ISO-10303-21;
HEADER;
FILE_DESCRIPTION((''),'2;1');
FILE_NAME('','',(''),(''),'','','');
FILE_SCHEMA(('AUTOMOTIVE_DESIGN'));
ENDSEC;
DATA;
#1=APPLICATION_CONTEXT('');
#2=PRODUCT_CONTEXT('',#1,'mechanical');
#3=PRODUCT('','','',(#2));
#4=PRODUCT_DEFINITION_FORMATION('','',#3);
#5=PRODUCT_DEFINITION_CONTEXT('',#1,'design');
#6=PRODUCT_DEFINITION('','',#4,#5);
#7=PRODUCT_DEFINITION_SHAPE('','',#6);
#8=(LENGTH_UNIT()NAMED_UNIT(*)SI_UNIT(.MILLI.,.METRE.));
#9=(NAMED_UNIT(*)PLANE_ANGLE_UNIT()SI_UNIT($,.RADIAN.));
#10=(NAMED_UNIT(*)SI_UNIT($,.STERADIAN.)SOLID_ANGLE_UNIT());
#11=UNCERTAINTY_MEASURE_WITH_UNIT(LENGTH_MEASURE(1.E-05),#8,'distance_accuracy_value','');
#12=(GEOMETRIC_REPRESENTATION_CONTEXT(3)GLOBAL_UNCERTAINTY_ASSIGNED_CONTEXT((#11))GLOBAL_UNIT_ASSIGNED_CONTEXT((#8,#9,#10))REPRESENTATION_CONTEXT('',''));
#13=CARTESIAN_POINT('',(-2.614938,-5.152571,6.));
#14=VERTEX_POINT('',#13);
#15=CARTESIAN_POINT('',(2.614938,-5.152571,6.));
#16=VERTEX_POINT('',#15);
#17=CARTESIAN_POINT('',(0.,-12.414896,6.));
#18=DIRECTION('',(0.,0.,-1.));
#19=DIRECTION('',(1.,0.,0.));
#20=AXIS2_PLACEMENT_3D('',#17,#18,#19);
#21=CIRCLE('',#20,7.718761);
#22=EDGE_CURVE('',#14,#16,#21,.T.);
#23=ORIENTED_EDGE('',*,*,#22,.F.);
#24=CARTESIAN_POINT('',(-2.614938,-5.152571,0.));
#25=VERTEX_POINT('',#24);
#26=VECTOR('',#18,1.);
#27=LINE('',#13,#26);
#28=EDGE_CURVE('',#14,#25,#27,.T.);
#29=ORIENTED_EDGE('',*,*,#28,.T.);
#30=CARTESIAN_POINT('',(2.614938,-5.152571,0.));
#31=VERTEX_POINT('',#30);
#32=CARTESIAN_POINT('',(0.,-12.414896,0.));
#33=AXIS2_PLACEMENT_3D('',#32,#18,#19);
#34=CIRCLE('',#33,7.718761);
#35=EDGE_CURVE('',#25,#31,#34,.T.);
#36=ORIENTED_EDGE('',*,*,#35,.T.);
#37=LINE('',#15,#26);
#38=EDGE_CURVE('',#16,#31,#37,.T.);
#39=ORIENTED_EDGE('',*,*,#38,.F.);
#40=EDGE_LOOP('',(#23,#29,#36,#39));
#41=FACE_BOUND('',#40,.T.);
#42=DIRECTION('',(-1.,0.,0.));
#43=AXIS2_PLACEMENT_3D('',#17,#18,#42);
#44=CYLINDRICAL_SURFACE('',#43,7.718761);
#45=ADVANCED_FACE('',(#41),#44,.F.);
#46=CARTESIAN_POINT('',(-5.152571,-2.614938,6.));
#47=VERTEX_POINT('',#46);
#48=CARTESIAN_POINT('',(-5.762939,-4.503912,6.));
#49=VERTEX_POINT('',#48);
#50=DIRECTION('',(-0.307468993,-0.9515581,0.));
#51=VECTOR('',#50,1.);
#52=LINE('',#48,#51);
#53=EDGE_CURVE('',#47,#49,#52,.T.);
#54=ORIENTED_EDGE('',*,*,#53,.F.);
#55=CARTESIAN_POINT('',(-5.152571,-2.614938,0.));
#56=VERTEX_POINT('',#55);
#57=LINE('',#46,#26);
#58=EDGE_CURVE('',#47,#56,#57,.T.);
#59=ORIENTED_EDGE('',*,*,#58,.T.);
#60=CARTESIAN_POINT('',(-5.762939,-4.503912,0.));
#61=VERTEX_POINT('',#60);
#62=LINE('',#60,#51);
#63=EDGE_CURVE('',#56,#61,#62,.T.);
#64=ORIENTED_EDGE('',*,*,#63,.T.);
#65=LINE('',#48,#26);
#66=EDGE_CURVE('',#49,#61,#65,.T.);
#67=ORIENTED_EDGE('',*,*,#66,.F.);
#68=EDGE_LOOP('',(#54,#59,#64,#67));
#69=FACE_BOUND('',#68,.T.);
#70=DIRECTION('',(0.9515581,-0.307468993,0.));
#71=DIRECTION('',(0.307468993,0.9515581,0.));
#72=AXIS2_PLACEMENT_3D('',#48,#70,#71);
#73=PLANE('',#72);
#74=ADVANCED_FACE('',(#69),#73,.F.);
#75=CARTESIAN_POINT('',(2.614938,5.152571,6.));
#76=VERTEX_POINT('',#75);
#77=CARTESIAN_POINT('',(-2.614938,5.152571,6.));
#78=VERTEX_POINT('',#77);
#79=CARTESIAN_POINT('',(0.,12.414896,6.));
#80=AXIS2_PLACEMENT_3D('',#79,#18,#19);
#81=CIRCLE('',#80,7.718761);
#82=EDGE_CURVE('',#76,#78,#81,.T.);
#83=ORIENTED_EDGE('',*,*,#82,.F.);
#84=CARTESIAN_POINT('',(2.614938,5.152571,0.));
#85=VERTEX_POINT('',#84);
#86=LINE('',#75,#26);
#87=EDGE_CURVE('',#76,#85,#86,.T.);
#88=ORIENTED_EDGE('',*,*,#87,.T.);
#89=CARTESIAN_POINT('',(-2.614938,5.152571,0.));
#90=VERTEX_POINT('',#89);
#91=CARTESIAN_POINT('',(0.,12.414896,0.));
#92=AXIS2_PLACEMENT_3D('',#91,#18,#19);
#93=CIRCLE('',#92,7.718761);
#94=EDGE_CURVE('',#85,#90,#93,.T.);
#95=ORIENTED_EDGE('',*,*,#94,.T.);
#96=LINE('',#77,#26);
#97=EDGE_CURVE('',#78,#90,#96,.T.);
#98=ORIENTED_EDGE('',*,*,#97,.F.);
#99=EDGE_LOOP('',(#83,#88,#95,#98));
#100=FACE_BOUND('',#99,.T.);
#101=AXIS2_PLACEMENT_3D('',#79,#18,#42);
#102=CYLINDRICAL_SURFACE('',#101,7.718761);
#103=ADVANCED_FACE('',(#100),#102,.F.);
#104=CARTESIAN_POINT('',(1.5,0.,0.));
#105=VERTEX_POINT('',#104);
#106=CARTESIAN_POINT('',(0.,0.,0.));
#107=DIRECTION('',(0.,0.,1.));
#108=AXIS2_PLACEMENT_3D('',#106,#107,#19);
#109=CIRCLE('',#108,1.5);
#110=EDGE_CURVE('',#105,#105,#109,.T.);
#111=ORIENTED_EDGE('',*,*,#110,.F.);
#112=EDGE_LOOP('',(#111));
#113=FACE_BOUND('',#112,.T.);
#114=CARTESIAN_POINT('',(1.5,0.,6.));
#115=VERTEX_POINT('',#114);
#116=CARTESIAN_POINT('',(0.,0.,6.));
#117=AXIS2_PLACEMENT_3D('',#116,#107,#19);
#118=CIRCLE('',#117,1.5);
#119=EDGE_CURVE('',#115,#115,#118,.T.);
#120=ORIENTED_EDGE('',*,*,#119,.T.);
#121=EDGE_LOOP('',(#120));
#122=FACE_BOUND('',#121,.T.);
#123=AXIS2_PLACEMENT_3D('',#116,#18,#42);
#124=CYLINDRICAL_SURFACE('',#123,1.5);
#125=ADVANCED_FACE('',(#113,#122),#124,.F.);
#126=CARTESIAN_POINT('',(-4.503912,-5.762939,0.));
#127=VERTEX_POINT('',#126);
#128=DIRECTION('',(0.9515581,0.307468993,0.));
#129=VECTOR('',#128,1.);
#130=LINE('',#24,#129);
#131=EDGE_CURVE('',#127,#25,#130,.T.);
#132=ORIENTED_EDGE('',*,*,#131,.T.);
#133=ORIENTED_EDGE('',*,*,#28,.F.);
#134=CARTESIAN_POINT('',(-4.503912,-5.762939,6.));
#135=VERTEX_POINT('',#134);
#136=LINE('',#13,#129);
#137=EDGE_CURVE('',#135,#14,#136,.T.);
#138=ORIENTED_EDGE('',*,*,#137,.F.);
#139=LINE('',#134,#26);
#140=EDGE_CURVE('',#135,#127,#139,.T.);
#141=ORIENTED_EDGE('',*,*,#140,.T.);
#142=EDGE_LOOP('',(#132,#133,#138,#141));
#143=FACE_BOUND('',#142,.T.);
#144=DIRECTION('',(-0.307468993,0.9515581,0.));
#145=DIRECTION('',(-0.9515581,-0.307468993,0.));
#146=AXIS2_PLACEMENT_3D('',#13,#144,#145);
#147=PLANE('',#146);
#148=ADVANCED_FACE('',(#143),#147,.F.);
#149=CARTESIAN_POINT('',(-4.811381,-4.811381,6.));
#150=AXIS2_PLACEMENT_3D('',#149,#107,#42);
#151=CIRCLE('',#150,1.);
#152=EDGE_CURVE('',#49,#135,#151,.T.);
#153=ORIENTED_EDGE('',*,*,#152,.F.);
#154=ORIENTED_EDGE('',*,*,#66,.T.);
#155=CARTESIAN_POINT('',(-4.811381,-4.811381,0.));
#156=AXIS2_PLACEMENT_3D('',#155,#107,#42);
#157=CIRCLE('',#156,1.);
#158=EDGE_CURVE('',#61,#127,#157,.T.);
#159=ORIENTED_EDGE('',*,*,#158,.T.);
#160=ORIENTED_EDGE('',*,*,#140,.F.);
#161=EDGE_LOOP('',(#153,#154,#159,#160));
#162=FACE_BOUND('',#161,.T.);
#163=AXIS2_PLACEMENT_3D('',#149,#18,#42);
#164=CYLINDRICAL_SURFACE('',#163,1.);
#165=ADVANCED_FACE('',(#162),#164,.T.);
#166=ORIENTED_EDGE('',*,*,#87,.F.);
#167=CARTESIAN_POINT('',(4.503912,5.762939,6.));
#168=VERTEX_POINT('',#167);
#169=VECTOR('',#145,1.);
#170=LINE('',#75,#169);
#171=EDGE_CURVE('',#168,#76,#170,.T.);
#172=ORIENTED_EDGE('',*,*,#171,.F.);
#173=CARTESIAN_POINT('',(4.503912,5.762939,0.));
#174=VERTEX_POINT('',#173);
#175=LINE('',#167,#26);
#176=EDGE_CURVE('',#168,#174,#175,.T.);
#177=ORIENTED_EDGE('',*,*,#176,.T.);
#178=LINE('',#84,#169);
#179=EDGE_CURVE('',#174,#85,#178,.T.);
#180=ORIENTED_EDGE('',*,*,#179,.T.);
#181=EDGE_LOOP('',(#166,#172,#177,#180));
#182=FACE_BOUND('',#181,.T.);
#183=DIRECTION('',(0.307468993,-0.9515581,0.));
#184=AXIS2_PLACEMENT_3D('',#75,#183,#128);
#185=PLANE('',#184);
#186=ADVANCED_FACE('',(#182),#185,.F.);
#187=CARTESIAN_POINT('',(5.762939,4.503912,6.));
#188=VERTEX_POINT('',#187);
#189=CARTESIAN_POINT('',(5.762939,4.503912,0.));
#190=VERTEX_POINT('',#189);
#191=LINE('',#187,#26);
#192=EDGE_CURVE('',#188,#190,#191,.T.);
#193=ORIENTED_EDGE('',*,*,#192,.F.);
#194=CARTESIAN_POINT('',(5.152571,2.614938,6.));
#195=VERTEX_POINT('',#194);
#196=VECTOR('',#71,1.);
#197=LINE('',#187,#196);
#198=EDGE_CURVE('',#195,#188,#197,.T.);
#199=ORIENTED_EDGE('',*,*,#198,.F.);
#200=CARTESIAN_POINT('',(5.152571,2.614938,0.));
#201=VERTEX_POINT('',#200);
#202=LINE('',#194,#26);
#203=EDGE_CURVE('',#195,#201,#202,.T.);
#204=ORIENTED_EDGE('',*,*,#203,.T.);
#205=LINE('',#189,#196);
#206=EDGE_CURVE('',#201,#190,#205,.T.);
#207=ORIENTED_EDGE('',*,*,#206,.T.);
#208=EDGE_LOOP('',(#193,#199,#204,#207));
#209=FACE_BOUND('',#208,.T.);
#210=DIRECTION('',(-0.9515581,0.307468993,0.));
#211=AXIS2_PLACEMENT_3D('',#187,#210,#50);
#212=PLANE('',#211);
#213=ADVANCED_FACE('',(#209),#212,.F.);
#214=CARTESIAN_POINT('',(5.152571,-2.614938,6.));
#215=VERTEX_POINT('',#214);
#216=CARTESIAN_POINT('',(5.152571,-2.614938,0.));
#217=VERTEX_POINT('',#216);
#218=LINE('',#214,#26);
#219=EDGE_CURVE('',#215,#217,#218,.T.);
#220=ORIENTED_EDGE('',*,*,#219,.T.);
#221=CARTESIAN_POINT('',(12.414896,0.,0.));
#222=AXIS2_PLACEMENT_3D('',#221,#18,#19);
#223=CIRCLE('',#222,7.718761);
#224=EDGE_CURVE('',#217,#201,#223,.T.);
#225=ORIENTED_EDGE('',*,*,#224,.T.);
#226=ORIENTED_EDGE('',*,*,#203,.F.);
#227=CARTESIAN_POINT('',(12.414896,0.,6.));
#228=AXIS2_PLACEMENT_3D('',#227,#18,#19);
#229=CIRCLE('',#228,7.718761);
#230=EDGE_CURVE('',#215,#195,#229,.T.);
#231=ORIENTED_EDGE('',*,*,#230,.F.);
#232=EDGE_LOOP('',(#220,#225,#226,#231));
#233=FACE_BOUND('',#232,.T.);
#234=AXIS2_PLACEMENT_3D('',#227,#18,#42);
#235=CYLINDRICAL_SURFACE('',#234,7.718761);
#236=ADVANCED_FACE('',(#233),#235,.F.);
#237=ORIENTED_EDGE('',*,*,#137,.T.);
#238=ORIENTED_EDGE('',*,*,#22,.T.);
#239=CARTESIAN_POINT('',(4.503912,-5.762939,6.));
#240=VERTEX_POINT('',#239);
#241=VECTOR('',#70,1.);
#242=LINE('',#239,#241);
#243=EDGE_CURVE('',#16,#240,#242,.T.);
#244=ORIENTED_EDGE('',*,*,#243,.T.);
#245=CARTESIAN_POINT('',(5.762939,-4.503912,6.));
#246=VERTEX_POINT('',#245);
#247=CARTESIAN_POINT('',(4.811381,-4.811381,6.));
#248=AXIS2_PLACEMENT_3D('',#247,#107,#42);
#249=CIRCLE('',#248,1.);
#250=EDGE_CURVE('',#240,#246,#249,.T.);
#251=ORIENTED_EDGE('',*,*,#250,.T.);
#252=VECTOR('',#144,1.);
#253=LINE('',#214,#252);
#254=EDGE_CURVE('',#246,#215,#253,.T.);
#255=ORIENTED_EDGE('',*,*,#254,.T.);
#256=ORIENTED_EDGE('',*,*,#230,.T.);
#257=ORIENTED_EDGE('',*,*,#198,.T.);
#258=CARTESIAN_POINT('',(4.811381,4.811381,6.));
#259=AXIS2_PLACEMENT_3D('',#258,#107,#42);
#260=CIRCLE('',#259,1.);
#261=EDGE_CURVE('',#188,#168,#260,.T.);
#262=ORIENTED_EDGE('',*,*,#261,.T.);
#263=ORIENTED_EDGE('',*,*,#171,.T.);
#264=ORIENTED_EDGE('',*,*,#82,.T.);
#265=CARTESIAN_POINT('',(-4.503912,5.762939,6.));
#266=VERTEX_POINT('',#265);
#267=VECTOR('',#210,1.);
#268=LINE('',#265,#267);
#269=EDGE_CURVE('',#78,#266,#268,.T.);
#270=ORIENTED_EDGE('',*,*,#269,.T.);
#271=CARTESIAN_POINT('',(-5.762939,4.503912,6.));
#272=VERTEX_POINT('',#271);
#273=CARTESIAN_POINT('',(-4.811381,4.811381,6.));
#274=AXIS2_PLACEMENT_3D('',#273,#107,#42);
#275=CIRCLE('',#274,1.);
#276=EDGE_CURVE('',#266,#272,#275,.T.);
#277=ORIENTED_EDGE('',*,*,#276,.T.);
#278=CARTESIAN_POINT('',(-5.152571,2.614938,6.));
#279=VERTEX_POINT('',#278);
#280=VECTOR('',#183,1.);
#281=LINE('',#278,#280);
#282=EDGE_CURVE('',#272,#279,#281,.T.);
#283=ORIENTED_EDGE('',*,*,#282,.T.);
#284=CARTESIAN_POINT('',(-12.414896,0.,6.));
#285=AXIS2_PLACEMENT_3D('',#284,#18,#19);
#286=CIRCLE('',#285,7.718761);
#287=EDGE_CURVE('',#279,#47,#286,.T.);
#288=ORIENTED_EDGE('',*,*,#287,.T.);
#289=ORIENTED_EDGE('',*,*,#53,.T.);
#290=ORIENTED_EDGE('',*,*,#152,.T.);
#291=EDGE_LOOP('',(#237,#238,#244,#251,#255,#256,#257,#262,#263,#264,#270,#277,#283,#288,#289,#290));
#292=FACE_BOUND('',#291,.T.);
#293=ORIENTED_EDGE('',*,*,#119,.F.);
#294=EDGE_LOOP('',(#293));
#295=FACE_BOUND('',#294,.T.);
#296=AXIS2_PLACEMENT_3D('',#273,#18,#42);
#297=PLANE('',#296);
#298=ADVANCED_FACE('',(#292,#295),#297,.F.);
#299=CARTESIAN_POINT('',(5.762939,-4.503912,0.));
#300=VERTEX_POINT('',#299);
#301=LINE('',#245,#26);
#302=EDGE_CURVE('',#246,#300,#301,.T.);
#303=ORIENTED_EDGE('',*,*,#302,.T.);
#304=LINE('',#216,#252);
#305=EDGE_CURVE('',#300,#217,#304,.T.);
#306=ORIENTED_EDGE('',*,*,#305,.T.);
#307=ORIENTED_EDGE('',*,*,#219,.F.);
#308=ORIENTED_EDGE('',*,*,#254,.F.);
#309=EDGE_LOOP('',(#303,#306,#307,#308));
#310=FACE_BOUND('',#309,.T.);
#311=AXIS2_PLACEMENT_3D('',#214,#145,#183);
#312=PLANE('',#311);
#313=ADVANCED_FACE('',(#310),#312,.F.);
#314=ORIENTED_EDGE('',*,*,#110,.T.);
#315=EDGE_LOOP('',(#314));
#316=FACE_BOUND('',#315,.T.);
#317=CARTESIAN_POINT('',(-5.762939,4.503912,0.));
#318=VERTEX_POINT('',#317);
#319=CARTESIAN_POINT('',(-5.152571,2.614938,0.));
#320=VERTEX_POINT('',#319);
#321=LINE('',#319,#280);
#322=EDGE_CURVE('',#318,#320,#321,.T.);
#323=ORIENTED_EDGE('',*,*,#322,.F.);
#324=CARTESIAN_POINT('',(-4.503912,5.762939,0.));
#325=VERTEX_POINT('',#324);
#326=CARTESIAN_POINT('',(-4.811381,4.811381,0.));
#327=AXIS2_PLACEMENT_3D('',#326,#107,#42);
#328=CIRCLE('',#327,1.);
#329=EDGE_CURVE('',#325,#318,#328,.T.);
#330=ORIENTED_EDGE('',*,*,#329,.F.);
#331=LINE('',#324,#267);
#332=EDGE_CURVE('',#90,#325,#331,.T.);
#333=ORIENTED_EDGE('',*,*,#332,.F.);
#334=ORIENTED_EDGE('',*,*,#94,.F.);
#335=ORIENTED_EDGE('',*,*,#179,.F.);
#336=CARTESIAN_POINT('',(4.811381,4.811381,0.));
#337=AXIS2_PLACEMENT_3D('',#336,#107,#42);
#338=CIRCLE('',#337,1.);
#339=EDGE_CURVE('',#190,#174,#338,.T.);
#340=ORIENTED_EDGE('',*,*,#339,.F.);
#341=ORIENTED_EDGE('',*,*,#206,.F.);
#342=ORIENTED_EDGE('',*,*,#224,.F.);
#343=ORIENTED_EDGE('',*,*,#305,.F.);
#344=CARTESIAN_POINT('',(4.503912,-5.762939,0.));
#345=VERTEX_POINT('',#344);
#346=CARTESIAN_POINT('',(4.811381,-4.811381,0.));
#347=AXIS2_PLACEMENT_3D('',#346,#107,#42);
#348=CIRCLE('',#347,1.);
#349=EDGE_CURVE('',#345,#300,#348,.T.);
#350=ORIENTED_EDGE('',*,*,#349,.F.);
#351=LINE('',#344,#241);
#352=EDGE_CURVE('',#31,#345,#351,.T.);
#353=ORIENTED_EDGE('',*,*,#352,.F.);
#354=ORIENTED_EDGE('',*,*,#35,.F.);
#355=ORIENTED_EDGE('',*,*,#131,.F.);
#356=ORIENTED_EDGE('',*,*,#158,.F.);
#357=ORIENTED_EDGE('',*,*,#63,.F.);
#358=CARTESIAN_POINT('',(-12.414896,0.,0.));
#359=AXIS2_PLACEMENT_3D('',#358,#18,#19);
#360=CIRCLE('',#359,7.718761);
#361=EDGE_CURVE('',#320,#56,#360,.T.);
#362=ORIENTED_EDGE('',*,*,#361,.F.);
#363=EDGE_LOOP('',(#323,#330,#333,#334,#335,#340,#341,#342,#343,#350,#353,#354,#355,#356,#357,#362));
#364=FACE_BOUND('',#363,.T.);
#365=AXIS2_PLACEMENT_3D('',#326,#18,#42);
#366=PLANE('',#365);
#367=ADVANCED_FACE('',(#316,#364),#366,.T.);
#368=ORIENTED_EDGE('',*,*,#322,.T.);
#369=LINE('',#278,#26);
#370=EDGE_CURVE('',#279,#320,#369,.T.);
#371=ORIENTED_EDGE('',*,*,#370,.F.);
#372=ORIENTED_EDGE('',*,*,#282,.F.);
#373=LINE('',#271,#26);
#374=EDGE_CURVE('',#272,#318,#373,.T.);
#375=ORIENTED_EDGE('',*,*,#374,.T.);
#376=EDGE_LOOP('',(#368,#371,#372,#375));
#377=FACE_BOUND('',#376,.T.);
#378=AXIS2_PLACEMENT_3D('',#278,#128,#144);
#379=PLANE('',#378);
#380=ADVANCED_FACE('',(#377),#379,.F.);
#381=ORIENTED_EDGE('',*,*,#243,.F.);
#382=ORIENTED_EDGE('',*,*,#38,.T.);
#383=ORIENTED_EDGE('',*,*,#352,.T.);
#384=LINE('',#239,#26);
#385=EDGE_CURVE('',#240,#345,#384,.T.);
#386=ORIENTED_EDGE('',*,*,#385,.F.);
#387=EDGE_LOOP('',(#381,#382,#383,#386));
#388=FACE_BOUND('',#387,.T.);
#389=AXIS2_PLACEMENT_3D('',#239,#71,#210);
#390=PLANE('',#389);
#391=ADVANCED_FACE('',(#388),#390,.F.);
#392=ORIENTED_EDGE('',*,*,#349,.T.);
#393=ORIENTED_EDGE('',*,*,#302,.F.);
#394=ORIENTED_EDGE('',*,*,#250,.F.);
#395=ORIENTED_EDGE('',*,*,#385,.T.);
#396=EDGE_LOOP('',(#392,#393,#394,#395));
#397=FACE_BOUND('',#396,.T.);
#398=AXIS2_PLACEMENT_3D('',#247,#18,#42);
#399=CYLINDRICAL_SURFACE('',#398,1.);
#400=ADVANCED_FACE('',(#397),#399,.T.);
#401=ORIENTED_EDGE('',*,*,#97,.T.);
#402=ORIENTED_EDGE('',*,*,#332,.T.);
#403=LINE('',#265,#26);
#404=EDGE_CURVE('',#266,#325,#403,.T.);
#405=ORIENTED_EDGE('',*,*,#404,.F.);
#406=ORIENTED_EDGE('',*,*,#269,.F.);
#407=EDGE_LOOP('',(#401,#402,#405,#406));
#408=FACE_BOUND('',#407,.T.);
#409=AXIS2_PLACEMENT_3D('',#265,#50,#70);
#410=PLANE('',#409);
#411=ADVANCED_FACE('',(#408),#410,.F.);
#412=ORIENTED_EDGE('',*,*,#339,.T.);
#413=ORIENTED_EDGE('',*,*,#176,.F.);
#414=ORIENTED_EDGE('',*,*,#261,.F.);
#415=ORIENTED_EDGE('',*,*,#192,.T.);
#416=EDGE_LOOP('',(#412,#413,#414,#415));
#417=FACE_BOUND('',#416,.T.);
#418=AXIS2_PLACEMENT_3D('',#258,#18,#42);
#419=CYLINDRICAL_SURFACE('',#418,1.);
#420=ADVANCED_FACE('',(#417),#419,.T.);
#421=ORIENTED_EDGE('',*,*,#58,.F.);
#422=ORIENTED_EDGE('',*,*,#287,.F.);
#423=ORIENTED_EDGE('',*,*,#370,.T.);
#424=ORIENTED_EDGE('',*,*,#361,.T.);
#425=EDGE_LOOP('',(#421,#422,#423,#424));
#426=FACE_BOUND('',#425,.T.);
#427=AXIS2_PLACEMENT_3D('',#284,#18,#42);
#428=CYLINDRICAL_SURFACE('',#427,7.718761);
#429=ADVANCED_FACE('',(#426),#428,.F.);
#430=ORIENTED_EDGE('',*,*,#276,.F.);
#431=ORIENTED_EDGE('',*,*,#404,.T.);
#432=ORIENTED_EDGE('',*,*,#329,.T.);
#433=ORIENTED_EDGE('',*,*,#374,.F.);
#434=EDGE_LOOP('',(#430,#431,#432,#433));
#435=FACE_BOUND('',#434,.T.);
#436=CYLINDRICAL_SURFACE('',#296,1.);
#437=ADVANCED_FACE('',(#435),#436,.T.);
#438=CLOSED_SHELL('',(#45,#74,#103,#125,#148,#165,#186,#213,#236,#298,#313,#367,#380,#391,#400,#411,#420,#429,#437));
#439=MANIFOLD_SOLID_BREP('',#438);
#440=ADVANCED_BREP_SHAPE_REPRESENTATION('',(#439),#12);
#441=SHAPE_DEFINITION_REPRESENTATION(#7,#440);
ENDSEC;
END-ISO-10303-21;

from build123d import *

# Parameters (mm, degrees)
CROQUIS1_R              = 1.5
SALIENTE_EXTRUIR1_DEPTH = 6


with BuildPart() as part:
    # Croquis1 → Saliente-Extruir1 (new body)
    with BuildSketch(Plane.XY):
        with BuildLine():
            Line((-5.15257064, 2.614937985), (-5.762938925, 4.503911831))
            ThreePointArc((-5.762938925, 4.503911831), (-5.518487605, 5.518487605), (-4.503911831, 5.762938925))
            Line((-4.503911831, 5.762938925), (-2.614937985, 5.15257064))
            ThreePointArc((-2.614937985, 5.15257064), (0, 4.696135045), (2.614937985, 5.15257064))
            Line((2.614937985, 5.15257064), (4.503911831, 5.762938925))
            ThreePointArc((4.503911831, 5.762938925), (5.518487605, 5.518487605), (5.762938925, 4.503911831))
            Line((5.762938925, 4.503911831), (5.15257064, 2.614937985))
            ThreePointArc((5.15257064, 2.614937985), (4.696135045, 0), (5.15257064, -2.614937985))
            Line((5.15257064, -2.614937985), (5.762938925, -4.503911831))
            ThreePointArc((5.762938925, -4.503911831), (5.518487605, -5.518487605), (4.503911831, -5.762938925))
            Line((4.503911831, -5.762938925), (2.614937985, -5.15257064))
            ThreePointArc((2.614937985, -5.15257064), (0, -4.696135045), (-2.614937985, -5.15257064))
            Line((-2.614937985, -5.15257064), (-4.503911831, -5.762938925))
            ThreePointArc((-4.503911831, -5.762938925), (-5.518487605, -5.518487605), (-5.762938925, -4.503911831))
            Line((-5.762938925, -4.503911831), (-5.15257064, -2.614937985))
            ThreePointArc((-5.15257064, -2.614937985), (-4.696135045, 0), (-5.15257064, 2.614937985))
        make_face()
        Circle(CROQUIS1_R, mode=Mode.SUBTRACT)
    extrude(amount=SALIENTE_EXTRUIR1_DEPTH)


solid = part.part
